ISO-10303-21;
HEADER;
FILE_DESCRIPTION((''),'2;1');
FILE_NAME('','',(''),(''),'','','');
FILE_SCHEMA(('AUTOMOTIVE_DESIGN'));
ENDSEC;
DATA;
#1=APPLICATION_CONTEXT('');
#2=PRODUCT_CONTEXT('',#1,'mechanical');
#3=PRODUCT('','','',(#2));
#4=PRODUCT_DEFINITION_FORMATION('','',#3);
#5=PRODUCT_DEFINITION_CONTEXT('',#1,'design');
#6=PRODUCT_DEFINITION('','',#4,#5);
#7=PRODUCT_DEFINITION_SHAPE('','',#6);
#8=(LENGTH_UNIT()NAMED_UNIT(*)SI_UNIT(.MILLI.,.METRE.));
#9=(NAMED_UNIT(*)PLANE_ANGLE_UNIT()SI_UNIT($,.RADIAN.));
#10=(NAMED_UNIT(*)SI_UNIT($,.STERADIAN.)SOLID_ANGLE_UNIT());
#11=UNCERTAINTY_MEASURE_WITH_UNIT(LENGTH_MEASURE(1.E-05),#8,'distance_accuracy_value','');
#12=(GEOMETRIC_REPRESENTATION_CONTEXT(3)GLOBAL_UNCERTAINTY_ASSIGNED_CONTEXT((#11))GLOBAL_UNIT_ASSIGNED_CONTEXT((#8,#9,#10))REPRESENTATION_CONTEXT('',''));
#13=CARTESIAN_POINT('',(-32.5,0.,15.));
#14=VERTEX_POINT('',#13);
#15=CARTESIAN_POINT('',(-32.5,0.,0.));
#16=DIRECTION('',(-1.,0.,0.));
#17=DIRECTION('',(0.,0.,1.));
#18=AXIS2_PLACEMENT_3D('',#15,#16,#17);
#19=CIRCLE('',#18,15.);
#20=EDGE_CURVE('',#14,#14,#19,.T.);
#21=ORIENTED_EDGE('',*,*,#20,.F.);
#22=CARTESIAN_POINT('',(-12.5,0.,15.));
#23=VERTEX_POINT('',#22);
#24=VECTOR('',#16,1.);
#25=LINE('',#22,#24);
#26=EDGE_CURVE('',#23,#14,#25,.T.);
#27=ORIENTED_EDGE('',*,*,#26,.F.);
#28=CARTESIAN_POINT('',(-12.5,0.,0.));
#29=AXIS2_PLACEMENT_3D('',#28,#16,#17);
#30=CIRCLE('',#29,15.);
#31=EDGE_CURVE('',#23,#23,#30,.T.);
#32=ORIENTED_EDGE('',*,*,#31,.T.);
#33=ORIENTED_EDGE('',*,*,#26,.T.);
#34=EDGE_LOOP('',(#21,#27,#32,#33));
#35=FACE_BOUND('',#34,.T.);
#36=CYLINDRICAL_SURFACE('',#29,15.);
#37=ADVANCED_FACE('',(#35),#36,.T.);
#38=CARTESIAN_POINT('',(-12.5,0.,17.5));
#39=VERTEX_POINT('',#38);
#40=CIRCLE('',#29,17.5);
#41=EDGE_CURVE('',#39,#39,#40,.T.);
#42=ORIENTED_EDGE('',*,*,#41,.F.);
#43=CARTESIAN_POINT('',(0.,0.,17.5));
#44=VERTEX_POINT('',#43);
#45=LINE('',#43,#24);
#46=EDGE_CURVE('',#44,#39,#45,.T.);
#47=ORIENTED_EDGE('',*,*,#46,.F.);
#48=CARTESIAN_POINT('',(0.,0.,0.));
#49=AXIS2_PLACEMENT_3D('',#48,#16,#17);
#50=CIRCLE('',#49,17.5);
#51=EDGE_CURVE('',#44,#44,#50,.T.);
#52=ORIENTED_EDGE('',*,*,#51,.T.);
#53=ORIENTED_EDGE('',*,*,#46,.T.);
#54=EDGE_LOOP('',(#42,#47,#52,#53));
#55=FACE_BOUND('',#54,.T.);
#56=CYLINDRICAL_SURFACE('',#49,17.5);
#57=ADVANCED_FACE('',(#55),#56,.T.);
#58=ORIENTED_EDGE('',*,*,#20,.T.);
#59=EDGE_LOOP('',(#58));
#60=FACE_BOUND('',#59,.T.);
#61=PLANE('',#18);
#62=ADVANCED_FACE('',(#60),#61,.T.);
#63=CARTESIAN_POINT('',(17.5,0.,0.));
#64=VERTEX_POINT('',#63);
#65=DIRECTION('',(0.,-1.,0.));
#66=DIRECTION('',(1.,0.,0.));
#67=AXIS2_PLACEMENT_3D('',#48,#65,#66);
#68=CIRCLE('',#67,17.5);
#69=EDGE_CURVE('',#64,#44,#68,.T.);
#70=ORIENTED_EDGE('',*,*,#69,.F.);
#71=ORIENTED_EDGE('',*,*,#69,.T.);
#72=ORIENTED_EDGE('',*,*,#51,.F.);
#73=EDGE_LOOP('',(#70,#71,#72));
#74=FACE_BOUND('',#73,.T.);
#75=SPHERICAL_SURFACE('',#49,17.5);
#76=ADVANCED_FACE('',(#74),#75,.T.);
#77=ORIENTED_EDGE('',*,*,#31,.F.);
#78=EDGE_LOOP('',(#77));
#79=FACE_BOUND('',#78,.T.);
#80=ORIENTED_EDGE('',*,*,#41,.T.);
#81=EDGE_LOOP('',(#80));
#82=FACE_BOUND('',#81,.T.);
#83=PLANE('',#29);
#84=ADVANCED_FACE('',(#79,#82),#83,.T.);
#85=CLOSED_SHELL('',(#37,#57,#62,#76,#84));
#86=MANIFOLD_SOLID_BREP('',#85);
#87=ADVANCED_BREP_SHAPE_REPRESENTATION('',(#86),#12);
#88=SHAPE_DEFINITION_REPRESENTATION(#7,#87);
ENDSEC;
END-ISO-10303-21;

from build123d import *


with BuildPart() as f1:
    # F0 (on Front) → F1 (revolve)
    with BuildSketch(Plane.XZ):
        with BuildLine():
            ThreePointArc((-17.5, 0), (-16.201851746, 6.6143782777), (-12.5, 12.2474487139))
            Line((-12.5, 12.2474487139), (-12.5, 15))
            Line((-12.5, 15), (-32.5, 15))
            Line((-32.5, 15), (-32.5, 0))
            Line((-32.5, 0), (-17.5, 0))
        make_face()
        with BuildLine():
            Line((-12.5, 0), (-12.5, 12.2474487139))
            ThreePointArc((-12.5, 12.2474487139), (-16.201851746, 6.6143782777), (-17.5, 0))
            Line((-17.5, 0), (-12.5, 0))
        make_face()
        with BuildLine():
            ThreePointArc((-12.5, 12.2474487139), (-6.7793675039, 16.1335109709), (0, 17.5))
            Line((0, 17.5), (-12.5, 17.5))
            Line((-12.5, 17.5), (-12.5, 15))
            Line((-12.5, 15), (-12.5, 12.2474487139))
        make_face()
        with BuildLine():
            Line((0, 0), (0, 17.5))
            ThreePointArc((0, 17.5), (-6.7793675039, 16.1335109709), (-12.5, 12.2474487139))
            Line((-12.5, 12.2474487139), (-12.5, 0))
            Line((-12.5, 0), (0, 0))
        make_face()
        with BuildLine():
            Line((0, 0), (17.5, 0))
            ThreePointArc((17.5, 0), (12.3743686708, 12.3743686708), (0, 17.5))
            Line((0, 17.5), (0, 0))
        make_face()
    revolve(axis=Axis((-16.8521418733, 0, 0), (-1, 0, 0)))


solid = f1.part
